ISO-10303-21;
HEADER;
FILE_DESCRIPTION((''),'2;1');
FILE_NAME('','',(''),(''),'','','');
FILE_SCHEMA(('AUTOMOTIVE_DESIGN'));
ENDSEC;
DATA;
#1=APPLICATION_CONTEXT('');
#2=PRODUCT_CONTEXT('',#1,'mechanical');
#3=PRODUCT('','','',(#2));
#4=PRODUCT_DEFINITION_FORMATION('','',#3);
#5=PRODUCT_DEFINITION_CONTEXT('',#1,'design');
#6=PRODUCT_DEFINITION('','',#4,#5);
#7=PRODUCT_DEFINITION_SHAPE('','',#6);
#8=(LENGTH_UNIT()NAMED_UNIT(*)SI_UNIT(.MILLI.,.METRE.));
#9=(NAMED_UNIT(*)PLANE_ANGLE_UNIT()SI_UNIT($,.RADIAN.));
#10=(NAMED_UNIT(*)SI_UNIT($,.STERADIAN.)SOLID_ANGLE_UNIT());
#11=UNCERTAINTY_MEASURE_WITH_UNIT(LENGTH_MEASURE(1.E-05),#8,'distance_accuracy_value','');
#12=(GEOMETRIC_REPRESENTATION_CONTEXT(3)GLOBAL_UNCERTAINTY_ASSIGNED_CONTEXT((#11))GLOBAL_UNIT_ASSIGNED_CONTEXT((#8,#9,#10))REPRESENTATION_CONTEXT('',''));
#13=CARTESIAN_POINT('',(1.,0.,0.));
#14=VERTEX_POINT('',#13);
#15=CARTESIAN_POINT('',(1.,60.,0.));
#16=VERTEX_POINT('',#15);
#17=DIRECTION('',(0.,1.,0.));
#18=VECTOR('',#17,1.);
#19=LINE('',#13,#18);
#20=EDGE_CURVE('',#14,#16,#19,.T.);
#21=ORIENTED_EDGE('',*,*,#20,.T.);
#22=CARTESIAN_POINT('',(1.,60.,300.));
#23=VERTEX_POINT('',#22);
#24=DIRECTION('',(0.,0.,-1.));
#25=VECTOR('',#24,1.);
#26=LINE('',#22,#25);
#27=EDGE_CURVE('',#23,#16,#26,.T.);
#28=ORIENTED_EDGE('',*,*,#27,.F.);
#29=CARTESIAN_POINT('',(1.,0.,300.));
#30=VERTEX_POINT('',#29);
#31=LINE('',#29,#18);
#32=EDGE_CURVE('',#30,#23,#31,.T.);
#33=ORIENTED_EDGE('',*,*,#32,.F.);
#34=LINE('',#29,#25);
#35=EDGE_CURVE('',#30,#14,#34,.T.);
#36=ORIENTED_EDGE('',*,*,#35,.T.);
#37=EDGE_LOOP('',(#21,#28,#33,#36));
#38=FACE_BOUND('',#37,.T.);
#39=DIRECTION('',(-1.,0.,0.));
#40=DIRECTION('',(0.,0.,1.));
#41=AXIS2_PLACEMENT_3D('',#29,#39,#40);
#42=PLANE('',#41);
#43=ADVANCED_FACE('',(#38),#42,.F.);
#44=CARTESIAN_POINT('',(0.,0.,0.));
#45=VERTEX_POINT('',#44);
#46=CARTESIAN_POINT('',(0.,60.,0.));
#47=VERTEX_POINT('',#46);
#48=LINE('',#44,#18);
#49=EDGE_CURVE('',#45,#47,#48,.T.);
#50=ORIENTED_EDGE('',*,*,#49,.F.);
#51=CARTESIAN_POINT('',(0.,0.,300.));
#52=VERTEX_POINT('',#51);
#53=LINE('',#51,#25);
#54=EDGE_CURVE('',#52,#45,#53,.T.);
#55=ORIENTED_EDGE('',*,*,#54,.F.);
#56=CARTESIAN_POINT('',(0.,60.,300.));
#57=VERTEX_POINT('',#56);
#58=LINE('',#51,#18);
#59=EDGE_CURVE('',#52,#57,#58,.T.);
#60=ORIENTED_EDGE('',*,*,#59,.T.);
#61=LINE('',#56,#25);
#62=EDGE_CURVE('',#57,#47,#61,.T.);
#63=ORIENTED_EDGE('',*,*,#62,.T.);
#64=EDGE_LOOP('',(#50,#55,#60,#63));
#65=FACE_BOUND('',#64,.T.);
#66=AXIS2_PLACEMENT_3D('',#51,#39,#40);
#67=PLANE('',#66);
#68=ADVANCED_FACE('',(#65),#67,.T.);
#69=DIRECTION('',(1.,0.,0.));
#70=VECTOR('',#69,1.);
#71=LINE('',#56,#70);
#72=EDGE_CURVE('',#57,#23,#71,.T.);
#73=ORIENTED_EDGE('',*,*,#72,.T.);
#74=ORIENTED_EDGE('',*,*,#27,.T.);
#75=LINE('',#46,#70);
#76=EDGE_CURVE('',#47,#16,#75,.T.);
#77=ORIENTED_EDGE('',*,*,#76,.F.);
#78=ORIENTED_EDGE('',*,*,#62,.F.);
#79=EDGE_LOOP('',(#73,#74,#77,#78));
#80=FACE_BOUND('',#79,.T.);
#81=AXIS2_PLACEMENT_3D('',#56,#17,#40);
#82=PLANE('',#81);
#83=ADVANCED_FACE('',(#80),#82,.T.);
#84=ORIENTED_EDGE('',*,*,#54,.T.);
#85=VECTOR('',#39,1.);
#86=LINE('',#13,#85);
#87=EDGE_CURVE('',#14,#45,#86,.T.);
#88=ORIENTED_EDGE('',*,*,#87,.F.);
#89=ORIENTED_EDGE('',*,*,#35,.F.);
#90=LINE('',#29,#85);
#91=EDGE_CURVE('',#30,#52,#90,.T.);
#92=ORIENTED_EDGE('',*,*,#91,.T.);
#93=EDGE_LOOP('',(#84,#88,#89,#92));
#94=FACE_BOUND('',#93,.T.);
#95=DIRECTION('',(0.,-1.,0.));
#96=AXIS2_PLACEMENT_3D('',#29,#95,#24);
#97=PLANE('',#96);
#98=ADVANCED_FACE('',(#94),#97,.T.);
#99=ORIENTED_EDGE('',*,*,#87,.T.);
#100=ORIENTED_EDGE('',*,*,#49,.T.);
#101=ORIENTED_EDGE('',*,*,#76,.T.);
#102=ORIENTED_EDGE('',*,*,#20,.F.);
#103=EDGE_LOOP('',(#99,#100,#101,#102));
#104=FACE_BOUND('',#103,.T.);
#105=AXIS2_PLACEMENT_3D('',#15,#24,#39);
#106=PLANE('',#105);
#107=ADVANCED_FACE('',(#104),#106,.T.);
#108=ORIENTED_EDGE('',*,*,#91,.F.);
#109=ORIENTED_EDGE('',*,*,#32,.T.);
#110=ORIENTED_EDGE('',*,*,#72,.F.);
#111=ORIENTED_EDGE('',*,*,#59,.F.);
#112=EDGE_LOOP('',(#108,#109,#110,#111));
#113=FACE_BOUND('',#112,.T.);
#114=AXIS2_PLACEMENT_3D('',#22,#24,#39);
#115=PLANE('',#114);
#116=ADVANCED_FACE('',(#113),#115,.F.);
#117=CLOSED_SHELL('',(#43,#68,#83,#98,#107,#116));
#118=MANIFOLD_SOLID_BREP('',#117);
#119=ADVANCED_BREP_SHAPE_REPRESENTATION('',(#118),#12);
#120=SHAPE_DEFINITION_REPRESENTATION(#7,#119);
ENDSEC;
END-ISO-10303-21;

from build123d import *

# Parameters (mm, degrees)
SKIZZE1_W                    = 1
SKIZZE1_H                    = 60
LINEAR_AUSTRAGEN_D_NN1_DEPTH = 300


with BuildPart() as part:
    # Skizze1 → Linear-Austragen-Dünn1 (new body)
    with BuildSketch(Plane.XY):
        with Locations((0.5, 30)):
            Rectangle(SKIZZE1_W, SKIZZE1_H)
    extrude(amount=LINEAR_AUSTRAGEN_D_NN1_DEPTH)


solid = part.part
